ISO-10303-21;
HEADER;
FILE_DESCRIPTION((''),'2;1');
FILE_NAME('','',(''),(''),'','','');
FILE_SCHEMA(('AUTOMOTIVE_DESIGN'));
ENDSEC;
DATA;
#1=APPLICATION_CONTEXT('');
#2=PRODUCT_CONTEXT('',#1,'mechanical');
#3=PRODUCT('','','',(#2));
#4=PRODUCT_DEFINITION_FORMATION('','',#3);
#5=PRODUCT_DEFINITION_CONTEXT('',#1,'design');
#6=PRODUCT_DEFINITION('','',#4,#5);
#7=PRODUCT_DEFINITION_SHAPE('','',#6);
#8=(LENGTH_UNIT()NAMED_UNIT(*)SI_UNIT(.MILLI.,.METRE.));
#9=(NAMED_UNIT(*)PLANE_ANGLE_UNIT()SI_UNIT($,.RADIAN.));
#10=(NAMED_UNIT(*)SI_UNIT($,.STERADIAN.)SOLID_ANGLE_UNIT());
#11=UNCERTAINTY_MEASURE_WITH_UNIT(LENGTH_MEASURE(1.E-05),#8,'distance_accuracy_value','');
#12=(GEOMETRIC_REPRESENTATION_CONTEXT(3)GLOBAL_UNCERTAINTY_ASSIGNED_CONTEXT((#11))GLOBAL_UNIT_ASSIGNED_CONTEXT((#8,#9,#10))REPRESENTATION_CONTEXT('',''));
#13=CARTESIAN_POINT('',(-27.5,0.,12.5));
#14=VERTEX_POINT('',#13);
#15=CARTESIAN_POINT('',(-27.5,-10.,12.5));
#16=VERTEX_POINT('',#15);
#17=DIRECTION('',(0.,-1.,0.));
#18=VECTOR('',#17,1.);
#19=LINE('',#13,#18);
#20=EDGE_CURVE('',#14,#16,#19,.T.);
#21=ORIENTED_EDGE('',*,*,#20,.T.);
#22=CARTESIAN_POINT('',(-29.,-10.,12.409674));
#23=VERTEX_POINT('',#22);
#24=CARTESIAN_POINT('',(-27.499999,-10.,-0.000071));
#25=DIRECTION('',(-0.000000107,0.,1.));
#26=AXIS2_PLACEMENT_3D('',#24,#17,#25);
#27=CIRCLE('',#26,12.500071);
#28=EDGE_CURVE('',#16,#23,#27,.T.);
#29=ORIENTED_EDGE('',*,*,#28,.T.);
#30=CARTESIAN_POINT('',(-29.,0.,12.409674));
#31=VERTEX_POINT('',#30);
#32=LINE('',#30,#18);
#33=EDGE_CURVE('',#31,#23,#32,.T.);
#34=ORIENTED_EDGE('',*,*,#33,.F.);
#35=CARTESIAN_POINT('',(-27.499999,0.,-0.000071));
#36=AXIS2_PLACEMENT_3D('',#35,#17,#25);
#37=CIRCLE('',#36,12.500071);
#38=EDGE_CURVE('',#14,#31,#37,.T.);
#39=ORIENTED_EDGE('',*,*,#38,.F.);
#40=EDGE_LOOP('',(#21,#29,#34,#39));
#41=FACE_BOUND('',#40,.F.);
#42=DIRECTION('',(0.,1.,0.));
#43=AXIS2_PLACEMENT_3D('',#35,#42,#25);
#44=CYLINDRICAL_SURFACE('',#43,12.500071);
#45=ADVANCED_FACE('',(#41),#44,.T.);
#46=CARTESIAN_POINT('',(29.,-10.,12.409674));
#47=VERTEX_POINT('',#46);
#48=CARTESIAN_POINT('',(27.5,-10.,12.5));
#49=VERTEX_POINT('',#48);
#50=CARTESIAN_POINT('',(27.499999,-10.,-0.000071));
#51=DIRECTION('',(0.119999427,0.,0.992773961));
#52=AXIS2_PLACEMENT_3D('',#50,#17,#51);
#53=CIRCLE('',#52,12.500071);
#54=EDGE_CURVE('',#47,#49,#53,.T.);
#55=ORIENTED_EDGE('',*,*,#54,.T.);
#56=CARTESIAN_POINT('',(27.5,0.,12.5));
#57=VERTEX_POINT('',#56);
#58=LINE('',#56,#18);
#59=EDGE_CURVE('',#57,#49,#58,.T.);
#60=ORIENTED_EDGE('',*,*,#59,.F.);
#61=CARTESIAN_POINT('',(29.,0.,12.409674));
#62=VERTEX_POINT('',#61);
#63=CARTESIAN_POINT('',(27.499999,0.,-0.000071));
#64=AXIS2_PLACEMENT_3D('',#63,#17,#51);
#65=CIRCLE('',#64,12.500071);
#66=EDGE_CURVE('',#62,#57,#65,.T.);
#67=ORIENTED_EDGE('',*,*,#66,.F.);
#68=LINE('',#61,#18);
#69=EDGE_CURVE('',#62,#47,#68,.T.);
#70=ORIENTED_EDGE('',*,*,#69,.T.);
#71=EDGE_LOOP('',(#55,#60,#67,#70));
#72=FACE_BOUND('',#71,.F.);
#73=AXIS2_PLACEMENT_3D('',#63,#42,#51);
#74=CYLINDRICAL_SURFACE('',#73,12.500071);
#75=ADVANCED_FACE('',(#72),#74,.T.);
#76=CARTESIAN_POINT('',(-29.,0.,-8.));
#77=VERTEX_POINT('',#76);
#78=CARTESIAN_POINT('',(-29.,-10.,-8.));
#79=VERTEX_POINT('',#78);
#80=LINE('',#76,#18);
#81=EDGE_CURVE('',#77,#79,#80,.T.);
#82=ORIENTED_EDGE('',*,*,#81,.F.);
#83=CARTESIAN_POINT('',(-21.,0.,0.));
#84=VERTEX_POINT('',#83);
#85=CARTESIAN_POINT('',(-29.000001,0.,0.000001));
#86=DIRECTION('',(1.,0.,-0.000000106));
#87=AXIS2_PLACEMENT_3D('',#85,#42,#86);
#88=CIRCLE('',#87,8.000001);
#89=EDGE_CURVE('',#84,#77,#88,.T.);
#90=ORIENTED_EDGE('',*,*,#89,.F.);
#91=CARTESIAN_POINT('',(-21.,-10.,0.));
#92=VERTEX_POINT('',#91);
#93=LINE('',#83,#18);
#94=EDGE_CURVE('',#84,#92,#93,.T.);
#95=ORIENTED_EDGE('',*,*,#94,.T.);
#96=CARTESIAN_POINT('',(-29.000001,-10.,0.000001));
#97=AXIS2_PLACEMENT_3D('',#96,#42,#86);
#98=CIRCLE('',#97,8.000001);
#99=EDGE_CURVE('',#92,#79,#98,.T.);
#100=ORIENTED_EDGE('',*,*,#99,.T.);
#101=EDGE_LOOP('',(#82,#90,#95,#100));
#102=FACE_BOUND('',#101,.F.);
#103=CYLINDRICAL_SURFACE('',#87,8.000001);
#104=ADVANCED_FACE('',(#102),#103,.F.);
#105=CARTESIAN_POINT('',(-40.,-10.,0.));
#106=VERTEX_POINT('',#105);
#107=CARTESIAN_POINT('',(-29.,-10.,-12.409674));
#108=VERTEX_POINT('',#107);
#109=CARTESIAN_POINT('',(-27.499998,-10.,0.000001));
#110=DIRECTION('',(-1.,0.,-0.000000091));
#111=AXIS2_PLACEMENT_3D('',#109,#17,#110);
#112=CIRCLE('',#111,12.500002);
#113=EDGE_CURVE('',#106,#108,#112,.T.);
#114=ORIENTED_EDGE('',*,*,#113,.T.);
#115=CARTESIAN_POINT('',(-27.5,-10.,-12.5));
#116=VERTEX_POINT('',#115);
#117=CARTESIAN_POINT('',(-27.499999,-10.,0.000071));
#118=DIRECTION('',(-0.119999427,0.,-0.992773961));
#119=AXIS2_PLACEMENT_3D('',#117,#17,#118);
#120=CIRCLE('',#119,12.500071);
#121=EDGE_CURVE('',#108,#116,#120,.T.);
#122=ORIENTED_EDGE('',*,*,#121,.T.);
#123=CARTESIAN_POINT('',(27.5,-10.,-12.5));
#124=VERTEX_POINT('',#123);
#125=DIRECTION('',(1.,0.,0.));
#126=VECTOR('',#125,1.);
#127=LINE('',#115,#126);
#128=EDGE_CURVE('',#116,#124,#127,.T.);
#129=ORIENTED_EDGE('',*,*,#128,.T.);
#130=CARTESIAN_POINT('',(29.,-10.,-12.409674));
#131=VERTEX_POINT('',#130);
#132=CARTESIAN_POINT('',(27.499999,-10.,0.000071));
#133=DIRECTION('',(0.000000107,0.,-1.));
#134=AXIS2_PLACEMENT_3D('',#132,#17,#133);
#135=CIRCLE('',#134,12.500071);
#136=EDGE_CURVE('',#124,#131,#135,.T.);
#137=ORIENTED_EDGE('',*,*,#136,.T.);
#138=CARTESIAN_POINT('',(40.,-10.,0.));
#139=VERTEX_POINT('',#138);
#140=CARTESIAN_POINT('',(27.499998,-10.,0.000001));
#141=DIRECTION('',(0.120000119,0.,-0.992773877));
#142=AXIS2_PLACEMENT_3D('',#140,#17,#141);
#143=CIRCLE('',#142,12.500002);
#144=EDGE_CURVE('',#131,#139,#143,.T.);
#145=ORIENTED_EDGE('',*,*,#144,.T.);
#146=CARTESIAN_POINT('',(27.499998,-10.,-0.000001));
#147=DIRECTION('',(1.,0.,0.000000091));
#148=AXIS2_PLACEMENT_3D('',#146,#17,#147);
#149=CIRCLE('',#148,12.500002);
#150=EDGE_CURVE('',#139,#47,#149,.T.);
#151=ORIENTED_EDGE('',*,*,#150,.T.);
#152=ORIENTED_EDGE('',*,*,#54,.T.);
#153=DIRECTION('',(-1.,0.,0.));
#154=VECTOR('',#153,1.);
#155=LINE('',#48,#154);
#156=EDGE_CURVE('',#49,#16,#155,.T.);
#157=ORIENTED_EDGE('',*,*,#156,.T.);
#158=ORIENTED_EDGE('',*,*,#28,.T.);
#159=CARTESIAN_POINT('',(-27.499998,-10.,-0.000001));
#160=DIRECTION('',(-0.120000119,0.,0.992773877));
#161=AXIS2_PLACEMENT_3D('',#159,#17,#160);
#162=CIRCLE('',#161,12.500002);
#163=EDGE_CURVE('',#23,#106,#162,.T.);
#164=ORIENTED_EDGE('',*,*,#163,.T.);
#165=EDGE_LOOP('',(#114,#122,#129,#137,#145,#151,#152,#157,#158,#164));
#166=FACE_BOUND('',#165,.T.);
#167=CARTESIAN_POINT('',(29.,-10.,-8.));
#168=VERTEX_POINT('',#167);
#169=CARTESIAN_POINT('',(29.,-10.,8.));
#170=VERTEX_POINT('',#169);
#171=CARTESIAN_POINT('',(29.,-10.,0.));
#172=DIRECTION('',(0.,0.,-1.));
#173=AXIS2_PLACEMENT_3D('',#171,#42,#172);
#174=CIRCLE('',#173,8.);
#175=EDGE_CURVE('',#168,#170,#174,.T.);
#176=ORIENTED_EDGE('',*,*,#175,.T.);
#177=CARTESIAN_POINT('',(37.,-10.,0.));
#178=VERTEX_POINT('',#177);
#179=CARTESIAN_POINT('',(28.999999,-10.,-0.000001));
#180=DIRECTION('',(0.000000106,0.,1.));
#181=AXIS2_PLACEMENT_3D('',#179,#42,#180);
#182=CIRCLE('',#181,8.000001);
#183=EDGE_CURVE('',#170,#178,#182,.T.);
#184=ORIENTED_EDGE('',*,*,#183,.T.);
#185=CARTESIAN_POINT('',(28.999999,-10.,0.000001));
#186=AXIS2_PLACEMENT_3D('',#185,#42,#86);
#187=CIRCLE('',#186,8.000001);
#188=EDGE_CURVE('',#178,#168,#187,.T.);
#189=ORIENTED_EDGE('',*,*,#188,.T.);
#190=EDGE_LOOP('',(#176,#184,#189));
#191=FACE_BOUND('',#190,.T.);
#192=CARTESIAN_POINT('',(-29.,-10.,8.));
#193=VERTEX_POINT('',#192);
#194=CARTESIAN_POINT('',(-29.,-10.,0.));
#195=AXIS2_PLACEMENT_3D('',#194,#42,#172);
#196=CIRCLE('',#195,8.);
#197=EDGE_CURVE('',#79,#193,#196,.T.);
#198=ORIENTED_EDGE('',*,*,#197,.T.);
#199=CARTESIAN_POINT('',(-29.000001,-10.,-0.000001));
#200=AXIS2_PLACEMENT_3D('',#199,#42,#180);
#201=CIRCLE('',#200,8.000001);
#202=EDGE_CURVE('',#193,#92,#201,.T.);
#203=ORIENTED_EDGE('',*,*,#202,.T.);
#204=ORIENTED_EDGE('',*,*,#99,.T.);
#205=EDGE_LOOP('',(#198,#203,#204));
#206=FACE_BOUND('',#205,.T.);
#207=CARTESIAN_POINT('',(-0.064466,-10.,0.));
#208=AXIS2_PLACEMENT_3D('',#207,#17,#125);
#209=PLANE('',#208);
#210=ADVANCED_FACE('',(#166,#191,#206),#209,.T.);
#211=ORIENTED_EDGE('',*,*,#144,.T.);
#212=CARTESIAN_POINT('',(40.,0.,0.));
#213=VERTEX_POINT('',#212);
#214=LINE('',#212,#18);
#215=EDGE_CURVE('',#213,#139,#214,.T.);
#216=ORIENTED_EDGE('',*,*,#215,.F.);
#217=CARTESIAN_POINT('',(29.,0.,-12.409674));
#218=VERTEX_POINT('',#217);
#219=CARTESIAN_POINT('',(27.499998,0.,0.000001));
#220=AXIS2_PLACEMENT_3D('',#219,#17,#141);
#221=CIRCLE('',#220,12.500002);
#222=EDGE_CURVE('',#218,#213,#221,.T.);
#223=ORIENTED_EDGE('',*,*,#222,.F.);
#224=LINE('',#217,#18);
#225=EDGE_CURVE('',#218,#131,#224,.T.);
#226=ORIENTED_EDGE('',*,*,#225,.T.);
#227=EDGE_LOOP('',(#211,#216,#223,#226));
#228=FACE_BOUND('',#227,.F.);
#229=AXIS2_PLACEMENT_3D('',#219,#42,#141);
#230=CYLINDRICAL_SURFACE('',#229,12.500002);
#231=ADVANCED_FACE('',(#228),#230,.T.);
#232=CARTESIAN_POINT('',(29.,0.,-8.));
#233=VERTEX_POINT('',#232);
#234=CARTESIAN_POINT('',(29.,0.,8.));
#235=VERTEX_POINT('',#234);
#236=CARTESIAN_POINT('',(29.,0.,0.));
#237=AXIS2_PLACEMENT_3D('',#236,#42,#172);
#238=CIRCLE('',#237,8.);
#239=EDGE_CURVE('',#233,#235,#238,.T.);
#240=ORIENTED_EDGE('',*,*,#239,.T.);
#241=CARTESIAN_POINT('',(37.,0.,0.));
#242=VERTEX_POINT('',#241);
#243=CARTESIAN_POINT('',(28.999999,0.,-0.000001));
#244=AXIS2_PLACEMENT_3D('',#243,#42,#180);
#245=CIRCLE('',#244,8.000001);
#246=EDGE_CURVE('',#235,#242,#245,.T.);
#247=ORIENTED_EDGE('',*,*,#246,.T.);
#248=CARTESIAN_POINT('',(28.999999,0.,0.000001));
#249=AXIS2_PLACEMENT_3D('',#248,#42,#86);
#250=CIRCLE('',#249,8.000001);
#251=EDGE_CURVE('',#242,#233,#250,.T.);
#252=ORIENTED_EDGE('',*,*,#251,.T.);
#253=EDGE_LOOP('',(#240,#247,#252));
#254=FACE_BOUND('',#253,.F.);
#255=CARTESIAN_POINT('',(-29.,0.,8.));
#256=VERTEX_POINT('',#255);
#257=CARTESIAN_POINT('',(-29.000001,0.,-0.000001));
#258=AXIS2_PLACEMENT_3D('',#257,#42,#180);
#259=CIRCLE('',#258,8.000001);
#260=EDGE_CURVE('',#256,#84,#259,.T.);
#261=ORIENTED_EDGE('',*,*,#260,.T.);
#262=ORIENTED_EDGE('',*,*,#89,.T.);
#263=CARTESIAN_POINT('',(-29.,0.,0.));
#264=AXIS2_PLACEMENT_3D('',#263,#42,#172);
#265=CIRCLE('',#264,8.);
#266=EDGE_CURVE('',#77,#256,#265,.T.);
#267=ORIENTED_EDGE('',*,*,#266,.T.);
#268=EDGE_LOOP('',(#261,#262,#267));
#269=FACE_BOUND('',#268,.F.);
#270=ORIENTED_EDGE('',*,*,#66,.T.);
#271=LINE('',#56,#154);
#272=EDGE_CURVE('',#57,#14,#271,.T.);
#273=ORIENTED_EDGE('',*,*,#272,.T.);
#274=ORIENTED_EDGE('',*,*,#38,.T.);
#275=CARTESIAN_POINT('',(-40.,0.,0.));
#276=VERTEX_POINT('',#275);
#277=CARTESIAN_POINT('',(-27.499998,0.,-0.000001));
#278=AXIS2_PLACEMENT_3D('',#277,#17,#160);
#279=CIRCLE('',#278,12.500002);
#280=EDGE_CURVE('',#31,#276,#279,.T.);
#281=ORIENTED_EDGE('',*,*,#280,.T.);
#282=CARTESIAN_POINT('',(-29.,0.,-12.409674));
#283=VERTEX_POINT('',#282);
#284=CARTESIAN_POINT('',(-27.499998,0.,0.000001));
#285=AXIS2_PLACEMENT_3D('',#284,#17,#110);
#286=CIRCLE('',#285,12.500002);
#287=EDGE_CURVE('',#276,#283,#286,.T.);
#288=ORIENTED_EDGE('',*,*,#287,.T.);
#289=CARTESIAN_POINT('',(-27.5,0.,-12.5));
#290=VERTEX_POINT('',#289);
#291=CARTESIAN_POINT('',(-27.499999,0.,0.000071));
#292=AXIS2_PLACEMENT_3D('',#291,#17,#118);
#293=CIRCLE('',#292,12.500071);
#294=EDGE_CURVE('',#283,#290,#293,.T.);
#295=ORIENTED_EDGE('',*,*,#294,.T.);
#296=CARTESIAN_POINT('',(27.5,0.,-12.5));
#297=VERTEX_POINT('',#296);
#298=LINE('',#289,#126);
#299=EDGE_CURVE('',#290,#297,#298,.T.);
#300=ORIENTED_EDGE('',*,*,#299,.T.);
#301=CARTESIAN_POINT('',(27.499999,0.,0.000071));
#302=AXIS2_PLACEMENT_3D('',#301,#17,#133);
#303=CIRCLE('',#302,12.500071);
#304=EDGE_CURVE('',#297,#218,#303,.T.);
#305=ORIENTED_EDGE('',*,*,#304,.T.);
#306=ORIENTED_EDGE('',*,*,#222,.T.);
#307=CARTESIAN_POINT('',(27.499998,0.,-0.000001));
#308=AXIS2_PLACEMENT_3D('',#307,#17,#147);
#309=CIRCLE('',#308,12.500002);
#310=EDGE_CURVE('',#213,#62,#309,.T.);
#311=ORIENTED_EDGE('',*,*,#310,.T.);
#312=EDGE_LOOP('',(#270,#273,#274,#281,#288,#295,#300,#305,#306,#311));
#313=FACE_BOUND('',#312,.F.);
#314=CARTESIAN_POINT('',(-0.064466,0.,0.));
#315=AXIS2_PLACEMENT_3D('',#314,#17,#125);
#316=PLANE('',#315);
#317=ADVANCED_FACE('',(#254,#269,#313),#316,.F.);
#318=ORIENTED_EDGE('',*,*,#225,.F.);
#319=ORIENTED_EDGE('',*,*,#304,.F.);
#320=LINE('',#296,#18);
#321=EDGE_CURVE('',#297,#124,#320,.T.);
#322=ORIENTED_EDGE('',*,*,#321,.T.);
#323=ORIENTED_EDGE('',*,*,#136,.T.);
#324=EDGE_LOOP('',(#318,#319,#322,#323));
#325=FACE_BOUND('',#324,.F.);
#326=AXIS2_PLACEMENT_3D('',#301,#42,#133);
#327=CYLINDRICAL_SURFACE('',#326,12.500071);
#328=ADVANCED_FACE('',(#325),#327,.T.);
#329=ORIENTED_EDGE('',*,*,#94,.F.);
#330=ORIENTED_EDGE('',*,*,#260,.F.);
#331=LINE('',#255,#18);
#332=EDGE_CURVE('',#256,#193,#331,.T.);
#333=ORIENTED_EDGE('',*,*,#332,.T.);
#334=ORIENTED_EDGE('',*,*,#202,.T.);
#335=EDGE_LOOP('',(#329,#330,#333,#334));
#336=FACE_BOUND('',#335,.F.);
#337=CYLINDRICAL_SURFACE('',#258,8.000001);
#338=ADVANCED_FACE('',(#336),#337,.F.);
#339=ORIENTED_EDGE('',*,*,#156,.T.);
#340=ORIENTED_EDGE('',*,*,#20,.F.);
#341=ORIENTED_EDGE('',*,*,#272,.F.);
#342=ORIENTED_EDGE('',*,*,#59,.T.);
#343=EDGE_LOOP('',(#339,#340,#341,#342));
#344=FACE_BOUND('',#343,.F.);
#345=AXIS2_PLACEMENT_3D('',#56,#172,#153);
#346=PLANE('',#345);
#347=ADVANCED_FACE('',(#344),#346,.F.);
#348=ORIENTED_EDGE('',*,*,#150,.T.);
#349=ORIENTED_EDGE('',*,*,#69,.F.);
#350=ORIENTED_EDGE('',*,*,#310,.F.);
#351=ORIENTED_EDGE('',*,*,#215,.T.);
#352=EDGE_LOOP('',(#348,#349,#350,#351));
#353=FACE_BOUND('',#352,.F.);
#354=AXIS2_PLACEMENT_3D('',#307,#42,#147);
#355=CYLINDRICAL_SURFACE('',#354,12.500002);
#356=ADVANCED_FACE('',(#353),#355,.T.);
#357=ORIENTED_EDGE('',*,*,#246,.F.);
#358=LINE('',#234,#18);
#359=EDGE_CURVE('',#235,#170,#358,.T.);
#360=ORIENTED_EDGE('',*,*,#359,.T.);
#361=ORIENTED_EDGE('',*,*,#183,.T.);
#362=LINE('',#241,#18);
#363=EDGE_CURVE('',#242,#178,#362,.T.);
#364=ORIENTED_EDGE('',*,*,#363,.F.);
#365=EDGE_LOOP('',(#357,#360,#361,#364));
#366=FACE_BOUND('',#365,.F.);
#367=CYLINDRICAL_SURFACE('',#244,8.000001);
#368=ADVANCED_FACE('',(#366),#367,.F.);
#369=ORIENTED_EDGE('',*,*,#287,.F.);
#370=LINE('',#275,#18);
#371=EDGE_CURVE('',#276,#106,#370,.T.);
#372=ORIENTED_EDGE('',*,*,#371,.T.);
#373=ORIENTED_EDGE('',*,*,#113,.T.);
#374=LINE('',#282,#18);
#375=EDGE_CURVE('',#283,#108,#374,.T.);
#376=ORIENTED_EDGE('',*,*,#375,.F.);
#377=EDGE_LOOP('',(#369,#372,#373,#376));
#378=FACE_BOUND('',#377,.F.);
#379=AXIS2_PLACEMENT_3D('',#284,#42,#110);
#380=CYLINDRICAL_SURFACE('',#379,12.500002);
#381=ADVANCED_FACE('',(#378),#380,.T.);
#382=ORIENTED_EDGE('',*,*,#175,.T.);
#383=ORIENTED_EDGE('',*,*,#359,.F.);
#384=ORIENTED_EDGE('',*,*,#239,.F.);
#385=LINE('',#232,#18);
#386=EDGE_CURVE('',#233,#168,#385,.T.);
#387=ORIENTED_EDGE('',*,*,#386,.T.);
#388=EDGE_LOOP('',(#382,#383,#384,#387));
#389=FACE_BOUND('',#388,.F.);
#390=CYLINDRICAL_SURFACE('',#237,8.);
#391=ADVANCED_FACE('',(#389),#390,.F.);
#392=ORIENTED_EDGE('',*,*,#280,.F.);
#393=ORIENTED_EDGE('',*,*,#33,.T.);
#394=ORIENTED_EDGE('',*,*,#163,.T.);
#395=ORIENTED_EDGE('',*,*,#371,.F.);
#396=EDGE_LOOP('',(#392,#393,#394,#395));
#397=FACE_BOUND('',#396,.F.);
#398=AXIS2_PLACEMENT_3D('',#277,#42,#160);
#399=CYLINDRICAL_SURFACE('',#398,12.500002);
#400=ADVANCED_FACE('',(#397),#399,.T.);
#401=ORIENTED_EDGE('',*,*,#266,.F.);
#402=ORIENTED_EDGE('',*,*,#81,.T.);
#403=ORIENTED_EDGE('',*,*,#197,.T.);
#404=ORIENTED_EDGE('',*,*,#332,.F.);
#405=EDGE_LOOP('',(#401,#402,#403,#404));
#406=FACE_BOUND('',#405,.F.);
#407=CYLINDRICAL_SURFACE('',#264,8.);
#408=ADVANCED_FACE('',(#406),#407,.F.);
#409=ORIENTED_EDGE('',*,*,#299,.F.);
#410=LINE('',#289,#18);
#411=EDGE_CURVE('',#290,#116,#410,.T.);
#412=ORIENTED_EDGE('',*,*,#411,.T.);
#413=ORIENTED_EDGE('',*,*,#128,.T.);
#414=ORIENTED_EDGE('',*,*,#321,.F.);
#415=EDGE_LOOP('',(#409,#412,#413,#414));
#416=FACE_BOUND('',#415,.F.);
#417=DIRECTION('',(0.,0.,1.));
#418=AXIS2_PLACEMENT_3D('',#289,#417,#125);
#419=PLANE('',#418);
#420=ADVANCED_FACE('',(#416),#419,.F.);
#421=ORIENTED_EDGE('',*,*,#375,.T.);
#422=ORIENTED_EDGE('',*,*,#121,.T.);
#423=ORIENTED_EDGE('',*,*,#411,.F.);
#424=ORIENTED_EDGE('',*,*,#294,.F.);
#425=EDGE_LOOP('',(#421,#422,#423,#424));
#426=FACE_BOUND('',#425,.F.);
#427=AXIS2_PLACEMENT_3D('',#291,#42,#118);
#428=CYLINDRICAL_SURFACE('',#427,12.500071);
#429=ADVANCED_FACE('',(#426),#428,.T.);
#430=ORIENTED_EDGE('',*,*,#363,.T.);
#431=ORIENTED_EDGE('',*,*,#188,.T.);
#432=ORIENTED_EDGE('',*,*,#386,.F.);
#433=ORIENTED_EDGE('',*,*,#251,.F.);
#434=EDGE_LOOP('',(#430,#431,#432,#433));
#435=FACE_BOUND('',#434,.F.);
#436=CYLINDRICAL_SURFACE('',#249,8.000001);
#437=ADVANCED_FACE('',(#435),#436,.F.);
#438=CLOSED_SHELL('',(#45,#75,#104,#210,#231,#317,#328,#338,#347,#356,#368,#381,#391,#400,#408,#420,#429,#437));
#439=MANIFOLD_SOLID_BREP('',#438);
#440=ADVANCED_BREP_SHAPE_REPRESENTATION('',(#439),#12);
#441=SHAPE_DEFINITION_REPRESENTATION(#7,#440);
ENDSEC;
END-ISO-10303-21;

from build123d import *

# Parameters (mm, degrees)
F1_DEPTH = 10


with BuildPart() as f1:
    # F0 (on Front) → F1 (new body)
    with BuildSketch(Plane.XZ):
        with BuildLine():
            Line((-27.5, -12.5), (27.5, -12.5))
            ThreePointArc((27.5, -12.5), (28.251359, -12.477398), (29, -12.409674))
            Line((29, -12.409674), (29, -8))
            ThreePointArc((29, -8), (21, 0), (29, 8))
            Line((29, 8), (29, 12.409674))
            ThreePointArc((29, 12.409674), (28.251359, 12.477398), (27.5, 12.5))
            Line((27.5, 12.5), (-27.5, 12.5))
            ThreePointArc((-27.5, 12.5), (-28.251359, 12.477398), (-29, 12.409674))
            Line((-29, 12.409674), (-29, 8))
            ThreePointArc((-29, 8), (-23.343146, 5.656854), (-21, 0))
            ThreePointArc((-21, 0), (-23.343146, -5.656854), (-29, -8))
            Line((-29, -8), (-29, -12.409674))
            ThreePointArc((-29, -12.409674), (-28.251359, -12.477398), (-27.5, -12.5))
        make_face()
        with BuildLine():
            Line((29, -8), (29, -12.409674))
            ThreePointArc((29, -12.409674), (36.854143, -8.291562), (40, 0))
            ThreePointArc((40, 0), (36.854143, 8.291562), (29, 12.409674))
            Line((29, 12.409674), (29, 8))
            ThreePointArc((29, 8), (34.656854, 5.656854), (37, 0))
            ThreePointArc((37, 0), (34.656854, -5.656854), (29, -8))
        make_face()
        with BuildLine():
            ThreePointArc((-40, 0), (-36.854143, -8.291562), (-29, -12.409674))
            Line((-29, -12.409674), (-29, -8))
            ThreePointArc((-29, -8), (-37, 0), (-29, 8))
            Line((-29, 8), (-29, 12.409674))
            ThreePointArc((-29, 12.409674), (-36.854143, 8.291562), (-40, 0))
        make_face()
    extrude(amount=F1_DEPTH)


solid = f1.part
